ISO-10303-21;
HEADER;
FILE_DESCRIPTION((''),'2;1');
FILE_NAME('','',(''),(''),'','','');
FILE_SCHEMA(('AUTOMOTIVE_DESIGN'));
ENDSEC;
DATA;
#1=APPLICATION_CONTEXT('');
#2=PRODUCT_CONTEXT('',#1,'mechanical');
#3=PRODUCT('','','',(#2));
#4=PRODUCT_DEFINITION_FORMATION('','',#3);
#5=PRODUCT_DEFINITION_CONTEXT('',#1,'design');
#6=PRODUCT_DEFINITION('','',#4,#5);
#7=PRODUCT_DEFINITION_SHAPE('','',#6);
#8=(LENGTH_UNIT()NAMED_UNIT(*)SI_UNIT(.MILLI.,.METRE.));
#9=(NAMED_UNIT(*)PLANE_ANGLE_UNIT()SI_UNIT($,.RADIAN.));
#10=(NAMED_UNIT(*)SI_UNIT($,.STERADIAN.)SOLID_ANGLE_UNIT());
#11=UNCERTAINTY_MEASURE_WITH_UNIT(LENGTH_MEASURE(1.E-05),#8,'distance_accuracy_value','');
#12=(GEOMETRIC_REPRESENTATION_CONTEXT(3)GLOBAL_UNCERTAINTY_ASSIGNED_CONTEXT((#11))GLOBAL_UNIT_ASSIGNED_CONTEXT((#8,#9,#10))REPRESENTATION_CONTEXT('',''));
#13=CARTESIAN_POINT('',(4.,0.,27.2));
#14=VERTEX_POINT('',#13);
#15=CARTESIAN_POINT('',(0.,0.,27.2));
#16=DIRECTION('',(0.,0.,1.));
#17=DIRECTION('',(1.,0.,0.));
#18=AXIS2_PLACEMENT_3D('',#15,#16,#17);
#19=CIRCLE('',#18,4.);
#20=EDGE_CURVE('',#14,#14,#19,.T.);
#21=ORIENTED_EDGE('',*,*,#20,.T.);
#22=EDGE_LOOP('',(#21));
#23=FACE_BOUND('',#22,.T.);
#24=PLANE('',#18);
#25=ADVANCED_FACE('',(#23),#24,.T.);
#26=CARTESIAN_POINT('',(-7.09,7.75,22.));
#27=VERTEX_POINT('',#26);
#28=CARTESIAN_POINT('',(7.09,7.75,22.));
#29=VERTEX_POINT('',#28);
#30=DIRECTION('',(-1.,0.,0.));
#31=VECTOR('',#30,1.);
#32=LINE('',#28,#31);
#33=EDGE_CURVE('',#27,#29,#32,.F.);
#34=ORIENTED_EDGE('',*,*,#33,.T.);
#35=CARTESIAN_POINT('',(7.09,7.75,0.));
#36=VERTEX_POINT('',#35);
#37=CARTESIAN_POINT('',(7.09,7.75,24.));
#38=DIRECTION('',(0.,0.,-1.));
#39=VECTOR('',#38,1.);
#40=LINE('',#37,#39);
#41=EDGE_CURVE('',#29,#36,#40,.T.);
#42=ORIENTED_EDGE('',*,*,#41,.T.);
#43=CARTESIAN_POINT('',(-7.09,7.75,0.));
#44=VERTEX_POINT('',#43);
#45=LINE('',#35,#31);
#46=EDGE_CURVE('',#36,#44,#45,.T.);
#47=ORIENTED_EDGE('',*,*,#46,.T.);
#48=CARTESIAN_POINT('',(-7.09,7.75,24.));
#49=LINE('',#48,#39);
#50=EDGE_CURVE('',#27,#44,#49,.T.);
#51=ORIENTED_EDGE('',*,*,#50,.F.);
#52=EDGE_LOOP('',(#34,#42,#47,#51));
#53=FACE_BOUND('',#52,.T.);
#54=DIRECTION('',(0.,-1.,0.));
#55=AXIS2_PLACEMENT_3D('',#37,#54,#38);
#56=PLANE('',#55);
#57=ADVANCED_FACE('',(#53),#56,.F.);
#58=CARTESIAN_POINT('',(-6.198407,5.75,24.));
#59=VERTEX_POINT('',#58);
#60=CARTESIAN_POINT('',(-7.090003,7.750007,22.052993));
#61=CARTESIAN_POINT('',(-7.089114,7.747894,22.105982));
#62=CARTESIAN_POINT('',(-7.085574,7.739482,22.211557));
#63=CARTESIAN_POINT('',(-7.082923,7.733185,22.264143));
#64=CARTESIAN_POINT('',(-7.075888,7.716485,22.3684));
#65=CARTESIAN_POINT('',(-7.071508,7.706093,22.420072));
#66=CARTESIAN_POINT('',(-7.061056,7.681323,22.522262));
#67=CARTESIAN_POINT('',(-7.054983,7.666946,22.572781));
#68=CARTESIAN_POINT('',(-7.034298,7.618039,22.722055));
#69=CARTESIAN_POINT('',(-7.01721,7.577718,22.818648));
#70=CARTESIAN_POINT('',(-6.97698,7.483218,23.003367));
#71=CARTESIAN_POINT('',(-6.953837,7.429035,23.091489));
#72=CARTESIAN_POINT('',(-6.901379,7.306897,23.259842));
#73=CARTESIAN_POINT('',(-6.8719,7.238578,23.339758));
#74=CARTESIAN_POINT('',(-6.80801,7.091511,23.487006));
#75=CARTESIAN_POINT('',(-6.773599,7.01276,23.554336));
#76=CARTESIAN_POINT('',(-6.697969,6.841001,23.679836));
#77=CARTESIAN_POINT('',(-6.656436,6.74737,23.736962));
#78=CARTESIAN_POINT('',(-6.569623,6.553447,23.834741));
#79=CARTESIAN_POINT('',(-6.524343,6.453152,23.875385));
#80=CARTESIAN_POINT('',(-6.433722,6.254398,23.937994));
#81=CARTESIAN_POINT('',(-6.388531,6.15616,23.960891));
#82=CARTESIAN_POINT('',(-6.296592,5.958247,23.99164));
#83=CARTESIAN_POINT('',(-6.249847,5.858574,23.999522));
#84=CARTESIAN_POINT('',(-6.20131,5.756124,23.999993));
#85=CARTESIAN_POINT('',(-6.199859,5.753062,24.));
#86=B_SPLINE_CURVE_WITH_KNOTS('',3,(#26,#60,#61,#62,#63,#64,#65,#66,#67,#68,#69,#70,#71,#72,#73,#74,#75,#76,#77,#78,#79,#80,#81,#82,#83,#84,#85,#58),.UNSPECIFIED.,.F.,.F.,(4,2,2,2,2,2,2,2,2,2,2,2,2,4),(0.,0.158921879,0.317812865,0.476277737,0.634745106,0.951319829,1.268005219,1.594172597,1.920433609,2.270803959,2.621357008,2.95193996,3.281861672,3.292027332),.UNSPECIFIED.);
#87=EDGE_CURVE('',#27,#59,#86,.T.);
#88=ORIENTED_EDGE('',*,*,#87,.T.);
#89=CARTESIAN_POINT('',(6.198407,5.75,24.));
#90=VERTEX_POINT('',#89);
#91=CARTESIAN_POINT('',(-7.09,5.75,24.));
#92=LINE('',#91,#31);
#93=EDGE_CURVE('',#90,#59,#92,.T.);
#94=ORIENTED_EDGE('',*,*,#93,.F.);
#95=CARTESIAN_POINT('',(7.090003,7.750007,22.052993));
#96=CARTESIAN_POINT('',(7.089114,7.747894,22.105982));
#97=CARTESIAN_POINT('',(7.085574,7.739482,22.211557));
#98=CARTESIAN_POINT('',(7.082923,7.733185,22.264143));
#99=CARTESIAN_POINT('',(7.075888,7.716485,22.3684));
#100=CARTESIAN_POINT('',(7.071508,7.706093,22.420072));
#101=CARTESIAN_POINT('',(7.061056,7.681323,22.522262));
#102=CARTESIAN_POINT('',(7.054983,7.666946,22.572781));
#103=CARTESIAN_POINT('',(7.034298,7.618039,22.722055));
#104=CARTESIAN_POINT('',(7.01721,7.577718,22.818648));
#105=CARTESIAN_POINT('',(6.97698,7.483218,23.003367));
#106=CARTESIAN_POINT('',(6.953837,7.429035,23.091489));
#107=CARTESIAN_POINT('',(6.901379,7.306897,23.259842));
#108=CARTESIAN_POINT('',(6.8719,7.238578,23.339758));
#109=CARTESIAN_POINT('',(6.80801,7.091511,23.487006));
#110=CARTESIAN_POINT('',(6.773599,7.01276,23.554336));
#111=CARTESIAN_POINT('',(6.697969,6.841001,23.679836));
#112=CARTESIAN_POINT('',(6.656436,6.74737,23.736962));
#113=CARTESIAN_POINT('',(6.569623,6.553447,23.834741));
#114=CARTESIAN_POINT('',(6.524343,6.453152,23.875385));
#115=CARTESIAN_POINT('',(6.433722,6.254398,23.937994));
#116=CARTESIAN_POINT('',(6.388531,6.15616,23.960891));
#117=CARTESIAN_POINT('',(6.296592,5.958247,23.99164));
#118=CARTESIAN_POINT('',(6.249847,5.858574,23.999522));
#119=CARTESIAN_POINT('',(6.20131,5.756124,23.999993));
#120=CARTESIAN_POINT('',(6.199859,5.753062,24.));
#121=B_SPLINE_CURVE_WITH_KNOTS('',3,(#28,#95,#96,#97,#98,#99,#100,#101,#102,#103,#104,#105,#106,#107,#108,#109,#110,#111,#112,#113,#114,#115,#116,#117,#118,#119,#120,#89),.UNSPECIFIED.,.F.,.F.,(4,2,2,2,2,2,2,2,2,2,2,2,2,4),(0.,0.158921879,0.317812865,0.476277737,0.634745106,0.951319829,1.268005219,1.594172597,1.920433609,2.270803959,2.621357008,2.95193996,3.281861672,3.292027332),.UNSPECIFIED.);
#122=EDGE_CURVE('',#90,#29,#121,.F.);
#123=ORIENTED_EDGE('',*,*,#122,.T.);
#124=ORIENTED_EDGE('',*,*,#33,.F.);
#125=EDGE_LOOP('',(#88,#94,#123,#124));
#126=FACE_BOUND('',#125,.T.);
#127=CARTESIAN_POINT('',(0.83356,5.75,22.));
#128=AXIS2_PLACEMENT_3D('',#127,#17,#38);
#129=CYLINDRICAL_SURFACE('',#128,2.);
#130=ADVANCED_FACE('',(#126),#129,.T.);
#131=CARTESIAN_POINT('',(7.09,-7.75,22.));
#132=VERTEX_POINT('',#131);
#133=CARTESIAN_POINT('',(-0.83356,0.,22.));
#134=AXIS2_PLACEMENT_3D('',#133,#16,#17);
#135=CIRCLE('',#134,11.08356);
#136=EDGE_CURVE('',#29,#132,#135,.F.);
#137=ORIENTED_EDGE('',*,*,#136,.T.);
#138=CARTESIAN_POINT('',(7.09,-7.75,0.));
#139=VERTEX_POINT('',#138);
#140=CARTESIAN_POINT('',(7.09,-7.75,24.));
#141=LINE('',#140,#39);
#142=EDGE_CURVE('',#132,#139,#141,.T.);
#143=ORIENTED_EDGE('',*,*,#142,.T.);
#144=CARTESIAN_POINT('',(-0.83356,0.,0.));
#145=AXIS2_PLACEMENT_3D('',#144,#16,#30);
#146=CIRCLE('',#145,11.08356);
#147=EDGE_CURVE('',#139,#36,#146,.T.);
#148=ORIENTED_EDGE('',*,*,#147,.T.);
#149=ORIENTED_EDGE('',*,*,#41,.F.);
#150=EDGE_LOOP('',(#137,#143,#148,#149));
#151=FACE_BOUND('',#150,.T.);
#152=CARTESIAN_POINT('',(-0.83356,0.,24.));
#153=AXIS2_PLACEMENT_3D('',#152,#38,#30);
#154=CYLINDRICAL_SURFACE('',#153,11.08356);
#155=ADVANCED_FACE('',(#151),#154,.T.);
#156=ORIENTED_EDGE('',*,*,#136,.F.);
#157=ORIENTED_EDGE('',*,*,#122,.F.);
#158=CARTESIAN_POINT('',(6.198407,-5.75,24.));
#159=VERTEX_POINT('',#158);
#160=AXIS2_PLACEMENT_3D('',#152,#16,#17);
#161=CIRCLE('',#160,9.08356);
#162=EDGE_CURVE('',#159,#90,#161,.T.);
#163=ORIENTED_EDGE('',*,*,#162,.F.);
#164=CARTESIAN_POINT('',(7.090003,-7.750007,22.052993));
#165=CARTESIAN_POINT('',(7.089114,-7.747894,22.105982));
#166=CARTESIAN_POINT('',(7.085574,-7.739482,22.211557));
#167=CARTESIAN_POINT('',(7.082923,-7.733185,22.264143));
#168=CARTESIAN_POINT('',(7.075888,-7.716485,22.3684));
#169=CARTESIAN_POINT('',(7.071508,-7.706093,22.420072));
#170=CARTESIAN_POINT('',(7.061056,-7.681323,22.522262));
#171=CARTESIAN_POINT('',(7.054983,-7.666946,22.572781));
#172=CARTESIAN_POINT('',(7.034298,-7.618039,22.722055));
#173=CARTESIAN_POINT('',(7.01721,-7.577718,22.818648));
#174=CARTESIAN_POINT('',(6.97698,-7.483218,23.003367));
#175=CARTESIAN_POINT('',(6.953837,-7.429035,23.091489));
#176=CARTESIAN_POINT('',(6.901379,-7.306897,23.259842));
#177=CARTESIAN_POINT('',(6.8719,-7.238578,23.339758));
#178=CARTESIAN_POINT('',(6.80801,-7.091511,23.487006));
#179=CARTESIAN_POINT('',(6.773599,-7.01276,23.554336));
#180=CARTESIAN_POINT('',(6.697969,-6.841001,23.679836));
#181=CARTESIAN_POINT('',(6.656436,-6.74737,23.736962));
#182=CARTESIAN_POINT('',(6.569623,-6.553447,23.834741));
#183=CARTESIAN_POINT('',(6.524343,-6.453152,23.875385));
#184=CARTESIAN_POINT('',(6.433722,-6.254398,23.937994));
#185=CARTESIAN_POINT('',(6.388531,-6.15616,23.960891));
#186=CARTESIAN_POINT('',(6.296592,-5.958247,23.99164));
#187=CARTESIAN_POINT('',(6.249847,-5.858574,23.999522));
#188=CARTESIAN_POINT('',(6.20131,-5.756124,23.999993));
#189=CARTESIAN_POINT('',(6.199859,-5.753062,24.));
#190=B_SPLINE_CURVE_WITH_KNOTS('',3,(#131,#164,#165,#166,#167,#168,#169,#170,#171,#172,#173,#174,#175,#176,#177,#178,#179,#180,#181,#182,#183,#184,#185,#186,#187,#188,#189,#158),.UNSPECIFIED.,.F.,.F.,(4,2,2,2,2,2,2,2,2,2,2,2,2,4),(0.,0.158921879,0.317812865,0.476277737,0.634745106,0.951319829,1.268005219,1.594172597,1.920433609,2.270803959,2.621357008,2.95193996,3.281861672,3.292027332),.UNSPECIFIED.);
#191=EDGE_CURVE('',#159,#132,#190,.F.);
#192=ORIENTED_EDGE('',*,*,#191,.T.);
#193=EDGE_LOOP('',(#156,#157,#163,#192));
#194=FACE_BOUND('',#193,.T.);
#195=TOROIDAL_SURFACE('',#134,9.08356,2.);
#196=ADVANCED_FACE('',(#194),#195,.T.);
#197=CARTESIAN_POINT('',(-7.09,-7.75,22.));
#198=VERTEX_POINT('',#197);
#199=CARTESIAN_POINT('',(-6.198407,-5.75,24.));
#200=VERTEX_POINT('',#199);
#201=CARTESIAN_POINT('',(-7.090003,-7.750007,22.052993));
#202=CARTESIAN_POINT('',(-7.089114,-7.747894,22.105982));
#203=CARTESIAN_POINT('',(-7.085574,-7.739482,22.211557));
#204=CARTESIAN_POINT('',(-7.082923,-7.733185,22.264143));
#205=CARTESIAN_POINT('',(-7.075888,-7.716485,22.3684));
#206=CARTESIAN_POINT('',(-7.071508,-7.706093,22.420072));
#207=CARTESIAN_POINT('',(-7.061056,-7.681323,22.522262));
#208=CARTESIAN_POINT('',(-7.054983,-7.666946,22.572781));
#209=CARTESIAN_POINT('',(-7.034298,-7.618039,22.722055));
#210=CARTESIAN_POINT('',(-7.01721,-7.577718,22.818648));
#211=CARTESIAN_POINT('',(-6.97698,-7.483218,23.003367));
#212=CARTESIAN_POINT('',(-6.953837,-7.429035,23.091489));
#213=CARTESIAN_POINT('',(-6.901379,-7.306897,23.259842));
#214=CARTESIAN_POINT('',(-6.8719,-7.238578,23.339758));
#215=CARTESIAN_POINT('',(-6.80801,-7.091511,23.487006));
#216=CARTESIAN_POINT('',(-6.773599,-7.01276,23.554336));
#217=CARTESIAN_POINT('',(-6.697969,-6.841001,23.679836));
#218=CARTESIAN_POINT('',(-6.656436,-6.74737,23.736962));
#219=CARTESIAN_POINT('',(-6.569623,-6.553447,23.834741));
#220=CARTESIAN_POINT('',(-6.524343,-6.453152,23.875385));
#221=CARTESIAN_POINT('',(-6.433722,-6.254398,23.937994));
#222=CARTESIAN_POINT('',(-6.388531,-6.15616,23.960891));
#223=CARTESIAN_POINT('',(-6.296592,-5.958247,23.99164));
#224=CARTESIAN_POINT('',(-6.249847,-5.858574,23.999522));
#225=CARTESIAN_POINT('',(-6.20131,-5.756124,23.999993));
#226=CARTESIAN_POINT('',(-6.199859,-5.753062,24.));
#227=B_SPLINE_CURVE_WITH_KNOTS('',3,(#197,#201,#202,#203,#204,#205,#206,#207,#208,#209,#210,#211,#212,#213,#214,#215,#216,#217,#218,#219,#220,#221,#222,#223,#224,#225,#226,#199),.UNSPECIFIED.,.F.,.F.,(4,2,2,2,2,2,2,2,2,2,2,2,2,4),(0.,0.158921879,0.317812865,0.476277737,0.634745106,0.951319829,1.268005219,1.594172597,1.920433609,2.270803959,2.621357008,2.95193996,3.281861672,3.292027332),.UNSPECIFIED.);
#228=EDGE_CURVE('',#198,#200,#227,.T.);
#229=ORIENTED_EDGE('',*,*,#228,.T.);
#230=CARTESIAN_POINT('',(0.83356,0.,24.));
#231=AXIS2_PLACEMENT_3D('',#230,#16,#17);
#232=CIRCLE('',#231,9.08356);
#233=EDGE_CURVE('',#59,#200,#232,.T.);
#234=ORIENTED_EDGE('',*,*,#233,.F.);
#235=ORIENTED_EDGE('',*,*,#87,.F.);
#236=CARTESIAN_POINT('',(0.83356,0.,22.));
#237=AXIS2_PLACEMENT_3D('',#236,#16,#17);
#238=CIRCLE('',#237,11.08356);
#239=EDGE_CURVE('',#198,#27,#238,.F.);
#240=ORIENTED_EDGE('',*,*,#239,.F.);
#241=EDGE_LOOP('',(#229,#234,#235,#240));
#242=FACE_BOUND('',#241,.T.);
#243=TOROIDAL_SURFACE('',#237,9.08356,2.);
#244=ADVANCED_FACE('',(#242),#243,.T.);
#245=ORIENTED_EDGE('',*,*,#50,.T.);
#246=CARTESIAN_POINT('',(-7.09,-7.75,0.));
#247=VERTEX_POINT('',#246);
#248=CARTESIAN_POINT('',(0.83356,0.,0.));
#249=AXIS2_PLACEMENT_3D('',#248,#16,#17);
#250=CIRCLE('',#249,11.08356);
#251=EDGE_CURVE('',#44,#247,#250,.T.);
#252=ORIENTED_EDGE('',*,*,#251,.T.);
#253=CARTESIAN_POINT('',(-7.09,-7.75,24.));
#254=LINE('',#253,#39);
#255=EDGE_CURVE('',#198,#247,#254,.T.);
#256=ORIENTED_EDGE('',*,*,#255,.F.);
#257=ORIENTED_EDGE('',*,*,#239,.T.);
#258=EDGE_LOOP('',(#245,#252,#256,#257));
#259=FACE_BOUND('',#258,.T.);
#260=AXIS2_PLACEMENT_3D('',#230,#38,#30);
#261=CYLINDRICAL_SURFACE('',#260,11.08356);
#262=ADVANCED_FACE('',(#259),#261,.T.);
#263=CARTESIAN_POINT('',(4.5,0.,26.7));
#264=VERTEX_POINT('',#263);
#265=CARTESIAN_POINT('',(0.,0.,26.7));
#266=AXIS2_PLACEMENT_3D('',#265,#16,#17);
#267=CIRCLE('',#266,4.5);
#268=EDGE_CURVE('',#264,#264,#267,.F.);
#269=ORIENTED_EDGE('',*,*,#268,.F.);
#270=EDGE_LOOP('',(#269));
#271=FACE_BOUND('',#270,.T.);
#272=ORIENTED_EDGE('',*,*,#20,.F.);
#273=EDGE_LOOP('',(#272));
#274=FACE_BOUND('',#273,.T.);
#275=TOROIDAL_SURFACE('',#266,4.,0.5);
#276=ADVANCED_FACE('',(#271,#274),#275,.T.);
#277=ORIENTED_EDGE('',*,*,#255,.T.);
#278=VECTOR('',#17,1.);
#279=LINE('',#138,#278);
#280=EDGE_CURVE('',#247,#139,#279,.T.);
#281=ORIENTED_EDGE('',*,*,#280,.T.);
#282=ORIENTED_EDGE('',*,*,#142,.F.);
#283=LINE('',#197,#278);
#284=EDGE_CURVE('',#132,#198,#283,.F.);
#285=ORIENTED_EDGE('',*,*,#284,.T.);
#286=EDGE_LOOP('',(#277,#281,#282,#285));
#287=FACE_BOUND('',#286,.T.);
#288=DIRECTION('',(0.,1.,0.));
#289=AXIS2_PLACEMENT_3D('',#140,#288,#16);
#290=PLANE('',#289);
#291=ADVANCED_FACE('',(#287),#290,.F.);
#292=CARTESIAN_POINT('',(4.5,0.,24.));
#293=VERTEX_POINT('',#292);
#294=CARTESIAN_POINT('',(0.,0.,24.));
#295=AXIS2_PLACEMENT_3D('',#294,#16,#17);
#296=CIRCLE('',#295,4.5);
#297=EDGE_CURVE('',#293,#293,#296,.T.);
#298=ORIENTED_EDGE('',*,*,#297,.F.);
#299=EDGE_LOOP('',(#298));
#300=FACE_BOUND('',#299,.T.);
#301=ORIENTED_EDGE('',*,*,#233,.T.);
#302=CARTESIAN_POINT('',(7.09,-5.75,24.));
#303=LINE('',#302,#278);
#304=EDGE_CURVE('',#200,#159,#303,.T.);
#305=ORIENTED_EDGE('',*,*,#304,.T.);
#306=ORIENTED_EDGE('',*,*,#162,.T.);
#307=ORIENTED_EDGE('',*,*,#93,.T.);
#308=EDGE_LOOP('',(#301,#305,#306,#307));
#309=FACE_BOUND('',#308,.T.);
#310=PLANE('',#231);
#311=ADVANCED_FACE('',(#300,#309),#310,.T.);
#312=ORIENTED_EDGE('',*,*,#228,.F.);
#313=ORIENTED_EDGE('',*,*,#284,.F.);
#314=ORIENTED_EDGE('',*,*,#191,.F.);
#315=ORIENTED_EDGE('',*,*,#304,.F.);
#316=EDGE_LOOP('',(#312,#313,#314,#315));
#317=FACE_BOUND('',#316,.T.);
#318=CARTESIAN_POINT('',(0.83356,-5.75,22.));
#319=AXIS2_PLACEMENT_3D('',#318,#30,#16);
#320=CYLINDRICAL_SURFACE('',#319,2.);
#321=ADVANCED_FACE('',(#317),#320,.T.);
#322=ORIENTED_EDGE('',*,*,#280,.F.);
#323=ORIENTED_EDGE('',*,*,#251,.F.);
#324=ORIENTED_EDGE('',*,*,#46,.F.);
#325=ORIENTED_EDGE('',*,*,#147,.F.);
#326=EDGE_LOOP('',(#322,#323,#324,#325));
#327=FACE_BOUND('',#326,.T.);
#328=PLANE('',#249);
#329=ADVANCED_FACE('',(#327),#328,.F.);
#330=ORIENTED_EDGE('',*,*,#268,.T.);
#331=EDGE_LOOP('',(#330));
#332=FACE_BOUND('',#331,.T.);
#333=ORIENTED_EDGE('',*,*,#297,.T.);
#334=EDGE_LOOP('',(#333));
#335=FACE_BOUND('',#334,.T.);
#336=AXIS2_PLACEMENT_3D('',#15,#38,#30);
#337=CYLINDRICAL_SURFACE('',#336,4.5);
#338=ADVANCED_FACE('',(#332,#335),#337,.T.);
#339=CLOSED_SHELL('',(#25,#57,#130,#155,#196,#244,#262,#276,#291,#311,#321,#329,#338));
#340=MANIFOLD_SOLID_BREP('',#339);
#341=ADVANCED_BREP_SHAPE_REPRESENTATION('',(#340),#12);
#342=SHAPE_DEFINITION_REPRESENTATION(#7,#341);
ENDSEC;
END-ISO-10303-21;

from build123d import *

# Parameters (mm, degrees)
SALIENTE_EXTRUIR1_DEPTH = 24
REDONDEO1_R             = 2
CROQUIS2_R              = 4.5
SALIENTE_EXTRUIR2_DEPTH = 3.2
REDONDEO2_R             = 0.5


with BuildPart() as part:
    # Croquis1 → Saliente-Extruir1 (new body)
    with BuildSketch(Plane.XY):
        with BuildLine():
            Line((7.09, 7.75), (-7.09, 7.75))
            ThreePointArc((-7.09, 7.75), (-10.25, 0), (-7.09, -7.75))
            Line((-7.09, -7.75), (7.09, -7.75))
            ThreePointArc((7.09, -7.75), (10.25, 0), (7.09, 7.75))
        make_face()
    extrude(amount=SALIENTE_EXTRUIR1_DEPTH)

    # Redondeo1
    redondeo1_edges = [part.edges().sort_by_distance(p)[0] for p in [
        (10.25, 0, 24),
        (0, 7.75, 24),
        (-10.25, 0, 24),
        (0, -7.75, 24),
    ]]
    fillet(redondeo1_edges, radius=REDONDEO1_R)

    # Croquis2 → Saliente-Extruir2 (add)
    with BuildSketch(Plane.XY.offset(24)):
        Circle(CROQUIS2_R)
    extrude(amount=SALIENTE_EXTRUIR2_DEPTH)

    # Redondeo2
    redondeo2_edges = [part.edges().sort_by_distance(p)[0] for p in [
        (-4.5, 0, 27.2),
    ]]
    fillet(redondeo2_edges, radius=REDONDEO2_R)


solid = part.part
